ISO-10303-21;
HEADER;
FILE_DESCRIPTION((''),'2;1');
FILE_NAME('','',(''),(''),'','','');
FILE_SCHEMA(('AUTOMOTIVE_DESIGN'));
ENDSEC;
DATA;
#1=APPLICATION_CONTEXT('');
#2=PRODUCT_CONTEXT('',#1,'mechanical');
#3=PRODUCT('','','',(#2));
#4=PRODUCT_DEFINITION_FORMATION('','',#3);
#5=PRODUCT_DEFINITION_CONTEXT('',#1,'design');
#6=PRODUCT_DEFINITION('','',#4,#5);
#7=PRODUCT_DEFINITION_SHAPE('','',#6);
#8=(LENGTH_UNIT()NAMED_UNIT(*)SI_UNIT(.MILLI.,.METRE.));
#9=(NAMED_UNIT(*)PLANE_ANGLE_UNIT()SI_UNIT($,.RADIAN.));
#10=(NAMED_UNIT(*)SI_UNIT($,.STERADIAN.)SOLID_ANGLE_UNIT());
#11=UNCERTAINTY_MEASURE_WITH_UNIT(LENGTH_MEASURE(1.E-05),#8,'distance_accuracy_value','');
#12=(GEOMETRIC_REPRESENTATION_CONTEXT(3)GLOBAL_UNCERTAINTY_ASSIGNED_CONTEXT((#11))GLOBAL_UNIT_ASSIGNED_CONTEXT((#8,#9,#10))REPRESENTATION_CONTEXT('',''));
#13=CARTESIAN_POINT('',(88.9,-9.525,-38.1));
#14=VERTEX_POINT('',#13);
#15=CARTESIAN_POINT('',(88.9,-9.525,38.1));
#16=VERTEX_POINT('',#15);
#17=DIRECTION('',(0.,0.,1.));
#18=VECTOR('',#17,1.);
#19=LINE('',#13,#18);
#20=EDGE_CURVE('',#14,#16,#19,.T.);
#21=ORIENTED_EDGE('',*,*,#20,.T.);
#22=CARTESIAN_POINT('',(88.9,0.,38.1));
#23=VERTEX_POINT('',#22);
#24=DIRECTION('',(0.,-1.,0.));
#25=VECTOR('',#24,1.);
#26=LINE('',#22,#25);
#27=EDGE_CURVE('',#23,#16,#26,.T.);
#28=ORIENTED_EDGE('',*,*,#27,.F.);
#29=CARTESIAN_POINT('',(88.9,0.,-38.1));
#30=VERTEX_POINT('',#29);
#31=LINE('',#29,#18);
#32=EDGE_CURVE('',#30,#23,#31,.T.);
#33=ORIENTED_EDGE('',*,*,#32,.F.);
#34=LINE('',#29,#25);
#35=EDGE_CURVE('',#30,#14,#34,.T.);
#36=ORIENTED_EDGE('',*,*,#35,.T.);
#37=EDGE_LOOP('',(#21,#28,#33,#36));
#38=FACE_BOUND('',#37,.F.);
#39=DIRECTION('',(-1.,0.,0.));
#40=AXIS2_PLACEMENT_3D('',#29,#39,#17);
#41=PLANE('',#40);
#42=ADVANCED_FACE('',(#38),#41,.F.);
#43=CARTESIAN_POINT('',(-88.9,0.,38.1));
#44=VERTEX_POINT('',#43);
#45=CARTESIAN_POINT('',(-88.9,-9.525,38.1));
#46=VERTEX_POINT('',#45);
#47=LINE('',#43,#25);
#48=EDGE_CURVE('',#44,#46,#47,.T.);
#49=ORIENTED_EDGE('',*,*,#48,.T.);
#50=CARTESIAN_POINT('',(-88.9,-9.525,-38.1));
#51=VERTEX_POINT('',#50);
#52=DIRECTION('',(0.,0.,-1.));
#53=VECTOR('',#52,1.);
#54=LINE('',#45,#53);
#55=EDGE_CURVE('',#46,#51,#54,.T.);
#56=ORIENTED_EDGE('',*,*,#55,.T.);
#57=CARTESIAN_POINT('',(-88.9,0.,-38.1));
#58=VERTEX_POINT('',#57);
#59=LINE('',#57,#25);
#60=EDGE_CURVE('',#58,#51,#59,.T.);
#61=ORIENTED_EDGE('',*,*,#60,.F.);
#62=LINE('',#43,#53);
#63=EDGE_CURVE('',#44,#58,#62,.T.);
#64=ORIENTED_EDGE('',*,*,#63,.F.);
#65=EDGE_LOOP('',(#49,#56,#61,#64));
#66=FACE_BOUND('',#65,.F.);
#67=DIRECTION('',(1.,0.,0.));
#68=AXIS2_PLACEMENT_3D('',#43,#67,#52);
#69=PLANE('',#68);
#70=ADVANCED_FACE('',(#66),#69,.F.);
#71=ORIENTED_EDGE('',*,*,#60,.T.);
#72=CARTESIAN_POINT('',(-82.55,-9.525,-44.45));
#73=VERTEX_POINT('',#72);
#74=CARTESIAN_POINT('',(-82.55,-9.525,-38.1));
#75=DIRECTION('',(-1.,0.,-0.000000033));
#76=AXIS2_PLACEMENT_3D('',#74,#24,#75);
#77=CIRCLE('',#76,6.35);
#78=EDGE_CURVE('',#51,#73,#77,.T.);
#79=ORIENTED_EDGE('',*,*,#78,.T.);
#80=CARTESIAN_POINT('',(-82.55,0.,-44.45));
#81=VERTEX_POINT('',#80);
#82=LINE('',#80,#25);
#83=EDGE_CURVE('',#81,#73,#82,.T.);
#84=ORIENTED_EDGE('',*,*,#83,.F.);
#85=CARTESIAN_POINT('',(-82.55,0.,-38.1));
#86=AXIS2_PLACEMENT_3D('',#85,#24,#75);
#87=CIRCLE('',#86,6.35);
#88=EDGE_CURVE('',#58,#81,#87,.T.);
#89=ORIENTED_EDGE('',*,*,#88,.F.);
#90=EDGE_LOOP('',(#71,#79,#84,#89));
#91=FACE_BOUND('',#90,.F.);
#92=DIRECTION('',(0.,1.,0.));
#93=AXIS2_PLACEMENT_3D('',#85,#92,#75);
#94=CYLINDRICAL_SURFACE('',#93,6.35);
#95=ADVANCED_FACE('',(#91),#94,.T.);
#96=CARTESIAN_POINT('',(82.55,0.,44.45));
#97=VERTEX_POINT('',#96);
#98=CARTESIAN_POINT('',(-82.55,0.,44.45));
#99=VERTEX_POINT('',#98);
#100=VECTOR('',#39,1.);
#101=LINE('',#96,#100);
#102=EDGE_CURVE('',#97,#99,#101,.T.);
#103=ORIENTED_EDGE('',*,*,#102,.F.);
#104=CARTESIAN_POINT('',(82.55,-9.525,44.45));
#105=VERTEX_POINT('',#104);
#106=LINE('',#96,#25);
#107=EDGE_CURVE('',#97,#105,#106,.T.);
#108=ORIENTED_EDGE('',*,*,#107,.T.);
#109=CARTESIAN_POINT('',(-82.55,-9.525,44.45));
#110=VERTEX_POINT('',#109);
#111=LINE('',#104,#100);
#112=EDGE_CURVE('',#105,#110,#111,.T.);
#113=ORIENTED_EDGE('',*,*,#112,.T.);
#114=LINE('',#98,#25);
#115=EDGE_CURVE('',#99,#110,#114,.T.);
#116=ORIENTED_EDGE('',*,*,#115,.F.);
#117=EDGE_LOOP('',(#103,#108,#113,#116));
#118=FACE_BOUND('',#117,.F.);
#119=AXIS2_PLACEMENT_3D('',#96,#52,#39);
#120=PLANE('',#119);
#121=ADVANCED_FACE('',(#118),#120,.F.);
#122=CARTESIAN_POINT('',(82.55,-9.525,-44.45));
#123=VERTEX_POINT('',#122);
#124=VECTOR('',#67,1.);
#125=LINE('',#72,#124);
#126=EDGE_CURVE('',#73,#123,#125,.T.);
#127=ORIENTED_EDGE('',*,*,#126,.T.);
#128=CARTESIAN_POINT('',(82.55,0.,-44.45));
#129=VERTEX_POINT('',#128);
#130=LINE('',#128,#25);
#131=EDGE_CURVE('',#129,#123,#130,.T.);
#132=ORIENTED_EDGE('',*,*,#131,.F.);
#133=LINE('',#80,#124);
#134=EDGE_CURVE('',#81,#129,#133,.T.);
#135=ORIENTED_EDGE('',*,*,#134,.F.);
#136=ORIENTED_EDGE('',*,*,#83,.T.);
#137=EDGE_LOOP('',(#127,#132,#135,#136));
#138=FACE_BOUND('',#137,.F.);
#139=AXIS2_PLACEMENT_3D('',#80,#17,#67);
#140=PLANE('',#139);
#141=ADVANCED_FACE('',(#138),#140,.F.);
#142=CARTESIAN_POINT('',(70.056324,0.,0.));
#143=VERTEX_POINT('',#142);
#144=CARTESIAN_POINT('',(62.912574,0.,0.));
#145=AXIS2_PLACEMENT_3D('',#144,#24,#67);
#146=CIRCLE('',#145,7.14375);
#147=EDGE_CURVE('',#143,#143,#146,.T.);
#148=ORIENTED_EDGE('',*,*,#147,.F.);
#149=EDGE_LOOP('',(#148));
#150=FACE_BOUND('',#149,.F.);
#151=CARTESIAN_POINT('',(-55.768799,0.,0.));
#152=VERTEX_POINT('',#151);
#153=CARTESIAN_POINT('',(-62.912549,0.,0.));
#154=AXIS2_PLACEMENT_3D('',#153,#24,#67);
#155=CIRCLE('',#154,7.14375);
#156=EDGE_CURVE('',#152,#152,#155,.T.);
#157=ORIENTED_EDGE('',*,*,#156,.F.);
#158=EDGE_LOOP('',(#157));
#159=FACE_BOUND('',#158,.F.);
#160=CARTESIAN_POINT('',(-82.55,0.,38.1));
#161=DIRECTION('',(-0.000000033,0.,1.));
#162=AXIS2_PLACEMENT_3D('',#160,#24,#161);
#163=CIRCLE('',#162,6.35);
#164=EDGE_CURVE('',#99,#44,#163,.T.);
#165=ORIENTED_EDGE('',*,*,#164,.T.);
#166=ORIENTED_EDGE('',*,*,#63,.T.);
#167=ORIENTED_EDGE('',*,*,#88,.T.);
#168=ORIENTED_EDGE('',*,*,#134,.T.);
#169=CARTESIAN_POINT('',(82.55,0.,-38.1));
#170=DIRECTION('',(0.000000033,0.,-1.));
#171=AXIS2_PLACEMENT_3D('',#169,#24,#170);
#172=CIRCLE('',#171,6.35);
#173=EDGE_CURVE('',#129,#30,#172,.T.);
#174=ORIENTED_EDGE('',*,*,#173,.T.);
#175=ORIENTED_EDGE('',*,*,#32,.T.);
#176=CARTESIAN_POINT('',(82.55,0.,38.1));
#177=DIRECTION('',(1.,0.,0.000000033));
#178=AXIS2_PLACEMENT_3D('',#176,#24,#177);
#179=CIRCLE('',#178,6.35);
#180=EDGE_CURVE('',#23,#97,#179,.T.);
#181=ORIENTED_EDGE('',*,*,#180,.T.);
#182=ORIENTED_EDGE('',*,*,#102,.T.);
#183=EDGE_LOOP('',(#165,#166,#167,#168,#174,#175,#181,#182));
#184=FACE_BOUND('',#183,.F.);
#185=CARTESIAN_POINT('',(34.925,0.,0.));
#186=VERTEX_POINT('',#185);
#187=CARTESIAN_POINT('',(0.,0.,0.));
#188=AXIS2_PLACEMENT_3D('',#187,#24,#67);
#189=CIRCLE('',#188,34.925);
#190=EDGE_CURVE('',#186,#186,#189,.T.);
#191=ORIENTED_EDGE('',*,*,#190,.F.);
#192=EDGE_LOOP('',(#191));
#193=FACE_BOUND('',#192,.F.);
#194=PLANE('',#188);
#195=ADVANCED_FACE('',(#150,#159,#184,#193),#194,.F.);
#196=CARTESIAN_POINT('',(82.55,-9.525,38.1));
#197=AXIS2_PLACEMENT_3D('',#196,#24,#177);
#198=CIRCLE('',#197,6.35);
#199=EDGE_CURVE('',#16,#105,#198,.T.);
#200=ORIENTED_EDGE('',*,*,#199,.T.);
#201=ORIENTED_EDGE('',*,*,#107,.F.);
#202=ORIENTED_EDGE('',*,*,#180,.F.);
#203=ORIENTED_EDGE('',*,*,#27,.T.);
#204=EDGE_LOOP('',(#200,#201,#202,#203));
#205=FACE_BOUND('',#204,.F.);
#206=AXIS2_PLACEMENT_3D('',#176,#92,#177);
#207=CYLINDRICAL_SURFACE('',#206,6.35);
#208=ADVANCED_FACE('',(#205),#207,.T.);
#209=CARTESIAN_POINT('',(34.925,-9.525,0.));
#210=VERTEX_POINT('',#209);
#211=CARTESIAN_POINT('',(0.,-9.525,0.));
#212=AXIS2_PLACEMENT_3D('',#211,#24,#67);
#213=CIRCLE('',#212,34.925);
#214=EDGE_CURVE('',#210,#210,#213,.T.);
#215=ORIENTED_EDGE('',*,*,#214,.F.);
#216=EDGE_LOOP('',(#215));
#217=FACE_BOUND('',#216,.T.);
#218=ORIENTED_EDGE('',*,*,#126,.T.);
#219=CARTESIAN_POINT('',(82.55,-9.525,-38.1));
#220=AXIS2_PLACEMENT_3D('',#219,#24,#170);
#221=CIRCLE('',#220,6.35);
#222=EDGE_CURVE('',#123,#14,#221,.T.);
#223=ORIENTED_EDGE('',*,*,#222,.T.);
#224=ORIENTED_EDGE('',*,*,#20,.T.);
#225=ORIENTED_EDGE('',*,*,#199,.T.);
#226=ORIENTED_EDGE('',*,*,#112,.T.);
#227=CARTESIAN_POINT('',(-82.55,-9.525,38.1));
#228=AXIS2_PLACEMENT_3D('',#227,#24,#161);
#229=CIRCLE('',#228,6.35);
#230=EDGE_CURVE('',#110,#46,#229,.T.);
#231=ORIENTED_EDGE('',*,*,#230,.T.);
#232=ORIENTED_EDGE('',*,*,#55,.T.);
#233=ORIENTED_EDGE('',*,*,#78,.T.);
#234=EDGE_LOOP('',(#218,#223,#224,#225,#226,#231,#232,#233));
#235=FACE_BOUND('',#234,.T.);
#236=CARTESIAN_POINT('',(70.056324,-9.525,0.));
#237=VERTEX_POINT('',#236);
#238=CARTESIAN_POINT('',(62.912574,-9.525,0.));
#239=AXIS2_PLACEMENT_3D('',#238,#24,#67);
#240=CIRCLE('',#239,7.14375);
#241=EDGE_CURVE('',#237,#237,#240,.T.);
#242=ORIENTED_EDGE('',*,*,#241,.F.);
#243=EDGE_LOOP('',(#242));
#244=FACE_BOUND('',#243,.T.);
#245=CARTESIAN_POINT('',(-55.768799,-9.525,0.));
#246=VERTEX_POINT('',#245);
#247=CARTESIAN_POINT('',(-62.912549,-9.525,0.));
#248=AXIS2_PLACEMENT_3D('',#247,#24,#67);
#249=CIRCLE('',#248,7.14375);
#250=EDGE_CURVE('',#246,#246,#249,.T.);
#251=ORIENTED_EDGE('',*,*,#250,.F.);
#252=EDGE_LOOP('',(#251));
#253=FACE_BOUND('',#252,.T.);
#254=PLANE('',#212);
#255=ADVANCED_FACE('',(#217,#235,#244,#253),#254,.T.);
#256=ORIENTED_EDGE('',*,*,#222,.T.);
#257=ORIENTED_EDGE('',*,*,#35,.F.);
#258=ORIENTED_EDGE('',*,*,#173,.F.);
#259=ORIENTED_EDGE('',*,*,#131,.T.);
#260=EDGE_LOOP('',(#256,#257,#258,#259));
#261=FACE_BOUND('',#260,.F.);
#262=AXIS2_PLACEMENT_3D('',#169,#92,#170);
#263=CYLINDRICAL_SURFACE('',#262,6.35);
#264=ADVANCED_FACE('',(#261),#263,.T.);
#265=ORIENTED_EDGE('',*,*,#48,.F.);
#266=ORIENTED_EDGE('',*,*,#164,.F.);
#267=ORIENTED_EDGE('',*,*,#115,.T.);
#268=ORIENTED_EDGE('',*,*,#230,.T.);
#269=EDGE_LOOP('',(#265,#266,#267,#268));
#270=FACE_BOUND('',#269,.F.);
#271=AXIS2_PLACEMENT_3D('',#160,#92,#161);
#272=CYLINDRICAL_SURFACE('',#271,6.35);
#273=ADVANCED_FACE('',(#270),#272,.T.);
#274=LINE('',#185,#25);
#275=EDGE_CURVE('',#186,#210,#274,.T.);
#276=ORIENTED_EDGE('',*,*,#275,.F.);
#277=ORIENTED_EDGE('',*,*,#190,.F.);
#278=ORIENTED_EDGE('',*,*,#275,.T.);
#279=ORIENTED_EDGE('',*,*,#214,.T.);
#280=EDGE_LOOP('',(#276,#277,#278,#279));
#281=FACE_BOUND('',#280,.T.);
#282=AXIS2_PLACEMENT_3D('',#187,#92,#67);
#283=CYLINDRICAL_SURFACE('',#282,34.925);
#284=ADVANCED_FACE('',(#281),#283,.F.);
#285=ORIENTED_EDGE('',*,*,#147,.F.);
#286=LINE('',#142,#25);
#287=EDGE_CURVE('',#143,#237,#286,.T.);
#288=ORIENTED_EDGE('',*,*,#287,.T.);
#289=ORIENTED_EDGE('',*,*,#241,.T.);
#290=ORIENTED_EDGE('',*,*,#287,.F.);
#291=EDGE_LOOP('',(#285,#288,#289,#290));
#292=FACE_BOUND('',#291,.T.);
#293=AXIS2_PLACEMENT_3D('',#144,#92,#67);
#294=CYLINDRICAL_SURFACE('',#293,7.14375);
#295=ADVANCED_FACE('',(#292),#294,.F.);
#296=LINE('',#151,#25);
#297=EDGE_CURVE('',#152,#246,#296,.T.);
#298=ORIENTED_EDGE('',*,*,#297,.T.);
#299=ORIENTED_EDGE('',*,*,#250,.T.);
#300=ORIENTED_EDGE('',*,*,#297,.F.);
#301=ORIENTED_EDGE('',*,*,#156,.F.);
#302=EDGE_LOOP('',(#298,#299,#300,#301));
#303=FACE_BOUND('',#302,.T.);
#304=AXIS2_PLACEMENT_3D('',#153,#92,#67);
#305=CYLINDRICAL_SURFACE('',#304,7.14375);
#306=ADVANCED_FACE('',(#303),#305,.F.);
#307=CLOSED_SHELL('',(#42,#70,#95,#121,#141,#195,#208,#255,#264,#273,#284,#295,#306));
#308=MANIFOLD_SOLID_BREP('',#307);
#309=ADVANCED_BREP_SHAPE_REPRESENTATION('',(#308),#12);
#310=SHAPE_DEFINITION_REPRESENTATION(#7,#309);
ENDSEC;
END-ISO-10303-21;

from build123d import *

# Parameters (mm, degrees)
F0_R     = 7.14375
F0_R_2   = 34.925
F1_DEPTH = 9.525


with BuildPart() as f1:
    # F0 (on Front) → F1 (new body)
    with BuildSketch(Plane.XZ):
        with BuildLine():
            ThreePointArc((88.9, 38.1), (87.040128, 42.590128), (82.55, 44.45))
            Line((82.55, 44.45), (-82.55, 44.45))
            ThreePointArc((-82.55, 44.45), (-87.040128, 42.590128), (-88.9, 38.1))
            Line((-88.9, 38.1), (-88.9, -38.1))
            ThreePointArc((-88.9, -38.1), (-87.040128, -42.590128), (-82.55, -44.45))
            Line((-82.55, -44.45), (82.55, -44.45))
            ThreePointArc((82.55, -44.45), (87.040128, -42.590128), (88.9, -38.1))
            Line((88.9, -38.1), (88.9, 38.1))
        make_face()
        with Locations((-62.912549, 0)):
            Circle(F0_R, mode=Mode.SUBTRACT)
        Circle(F0_R_2, mode=Mode.SUBTRACT)
        with Locations((62.912574, 0)):
            Circle(F0_R, mode=Mode.SUBTRACT)
    extrude(amount=F1_DEPTH)


solid = f1.part
